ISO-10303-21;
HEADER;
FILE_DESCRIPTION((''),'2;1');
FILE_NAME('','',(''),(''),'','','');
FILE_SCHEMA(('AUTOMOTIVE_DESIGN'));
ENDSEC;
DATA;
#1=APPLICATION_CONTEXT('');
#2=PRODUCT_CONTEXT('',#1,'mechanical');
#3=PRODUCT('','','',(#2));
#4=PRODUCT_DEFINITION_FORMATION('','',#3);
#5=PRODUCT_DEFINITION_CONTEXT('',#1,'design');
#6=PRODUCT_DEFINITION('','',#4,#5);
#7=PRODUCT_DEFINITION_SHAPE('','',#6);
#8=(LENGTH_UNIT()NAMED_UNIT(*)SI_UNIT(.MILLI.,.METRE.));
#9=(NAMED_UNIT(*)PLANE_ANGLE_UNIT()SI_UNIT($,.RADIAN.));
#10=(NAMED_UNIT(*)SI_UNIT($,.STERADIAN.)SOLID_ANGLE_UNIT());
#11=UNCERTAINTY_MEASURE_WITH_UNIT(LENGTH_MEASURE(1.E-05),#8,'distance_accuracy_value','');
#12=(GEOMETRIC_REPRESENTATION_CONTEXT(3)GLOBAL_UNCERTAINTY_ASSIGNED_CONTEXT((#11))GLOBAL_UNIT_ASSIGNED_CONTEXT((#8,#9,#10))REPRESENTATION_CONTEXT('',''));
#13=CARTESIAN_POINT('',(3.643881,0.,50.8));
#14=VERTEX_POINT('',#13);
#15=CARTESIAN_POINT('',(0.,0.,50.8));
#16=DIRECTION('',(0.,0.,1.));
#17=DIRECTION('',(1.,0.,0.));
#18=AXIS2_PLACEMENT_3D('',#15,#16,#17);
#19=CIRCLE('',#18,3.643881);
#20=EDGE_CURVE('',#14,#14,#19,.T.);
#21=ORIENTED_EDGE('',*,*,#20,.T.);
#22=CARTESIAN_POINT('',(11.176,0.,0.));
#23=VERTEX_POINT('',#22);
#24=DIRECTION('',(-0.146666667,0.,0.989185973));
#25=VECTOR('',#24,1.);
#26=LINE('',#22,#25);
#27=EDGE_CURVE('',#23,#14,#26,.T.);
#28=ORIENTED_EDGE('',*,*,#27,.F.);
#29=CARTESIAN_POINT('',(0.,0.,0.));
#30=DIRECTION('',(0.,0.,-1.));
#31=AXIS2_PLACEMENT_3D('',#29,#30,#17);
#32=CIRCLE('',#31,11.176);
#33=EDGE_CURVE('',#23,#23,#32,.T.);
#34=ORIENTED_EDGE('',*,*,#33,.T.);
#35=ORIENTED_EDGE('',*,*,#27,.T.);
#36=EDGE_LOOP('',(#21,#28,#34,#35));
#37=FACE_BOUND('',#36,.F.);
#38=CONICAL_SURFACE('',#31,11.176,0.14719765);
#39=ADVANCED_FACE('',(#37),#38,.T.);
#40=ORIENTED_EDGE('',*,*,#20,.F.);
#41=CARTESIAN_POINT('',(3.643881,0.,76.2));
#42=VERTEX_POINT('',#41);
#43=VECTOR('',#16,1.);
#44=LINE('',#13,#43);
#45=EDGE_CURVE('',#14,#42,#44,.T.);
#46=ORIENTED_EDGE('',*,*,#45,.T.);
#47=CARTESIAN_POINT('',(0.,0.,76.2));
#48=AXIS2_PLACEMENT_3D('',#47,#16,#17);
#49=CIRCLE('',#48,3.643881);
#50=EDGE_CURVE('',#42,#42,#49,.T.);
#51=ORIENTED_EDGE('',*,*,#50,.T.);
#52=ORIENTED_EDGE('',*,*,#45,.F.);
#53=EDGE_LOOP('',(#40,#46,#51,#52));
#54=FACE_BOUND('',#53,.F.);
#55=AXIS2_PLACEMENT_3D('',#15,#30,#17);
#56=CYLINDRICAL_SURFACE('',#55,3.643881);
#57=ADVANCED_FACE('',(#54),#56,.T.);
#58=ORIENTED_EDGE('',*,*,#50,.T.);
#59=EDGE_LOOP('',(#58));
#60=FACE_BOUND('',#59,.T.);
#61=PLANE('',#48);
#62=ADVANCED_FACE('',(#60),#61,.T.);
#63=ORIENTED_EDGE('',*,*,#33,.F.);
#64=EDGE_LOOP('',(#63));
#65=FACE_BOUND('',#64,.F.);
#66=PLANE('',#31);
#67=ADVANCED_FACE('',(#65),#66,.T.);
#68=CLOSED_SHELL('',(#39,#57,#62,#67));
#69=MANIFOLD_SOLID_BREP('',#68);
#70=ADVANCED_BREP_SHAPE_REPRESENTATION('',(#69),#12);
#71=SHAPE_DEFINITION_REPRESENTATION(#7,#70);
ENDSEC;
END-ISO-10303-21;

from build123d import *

# Parameters (mm, degrees)
F2_W      = 56.300126
F2_H      = 25.4
F3_DEPTH  = 10.16
F3_FACE_R = 3.643881
F4_DEPTH  = 25.4


with BuildPart() as f1:
    # F0 (on Front) → F1 (revolve)
    with BuildSketch(Plane.XZ):
        Polygon((0, 75.375971), (0, 0), (11.176, 0), align=None)
    revolve(axis=Axis((0, 0, 32.428367), (0, 0, -1)))

    # F2 (on Right) → F3 (cut, symmetric)
    with BuildSketch(Plane.YZ):
        with Locations((-3.274256, 63.5)):
            Rectangle(F2_W, F2_H)
    extrude(amount=F3_DEPTH, both=True, mode=Mode.SUBTRACT)

    # F3_face (on face) → F4 (join)
    with BuildSketch(Plane.XY.offset(50.8)):
        Circle(F3_FACE_R)
    extrude(amount=F4_DEPTH)


solid = f1.part
